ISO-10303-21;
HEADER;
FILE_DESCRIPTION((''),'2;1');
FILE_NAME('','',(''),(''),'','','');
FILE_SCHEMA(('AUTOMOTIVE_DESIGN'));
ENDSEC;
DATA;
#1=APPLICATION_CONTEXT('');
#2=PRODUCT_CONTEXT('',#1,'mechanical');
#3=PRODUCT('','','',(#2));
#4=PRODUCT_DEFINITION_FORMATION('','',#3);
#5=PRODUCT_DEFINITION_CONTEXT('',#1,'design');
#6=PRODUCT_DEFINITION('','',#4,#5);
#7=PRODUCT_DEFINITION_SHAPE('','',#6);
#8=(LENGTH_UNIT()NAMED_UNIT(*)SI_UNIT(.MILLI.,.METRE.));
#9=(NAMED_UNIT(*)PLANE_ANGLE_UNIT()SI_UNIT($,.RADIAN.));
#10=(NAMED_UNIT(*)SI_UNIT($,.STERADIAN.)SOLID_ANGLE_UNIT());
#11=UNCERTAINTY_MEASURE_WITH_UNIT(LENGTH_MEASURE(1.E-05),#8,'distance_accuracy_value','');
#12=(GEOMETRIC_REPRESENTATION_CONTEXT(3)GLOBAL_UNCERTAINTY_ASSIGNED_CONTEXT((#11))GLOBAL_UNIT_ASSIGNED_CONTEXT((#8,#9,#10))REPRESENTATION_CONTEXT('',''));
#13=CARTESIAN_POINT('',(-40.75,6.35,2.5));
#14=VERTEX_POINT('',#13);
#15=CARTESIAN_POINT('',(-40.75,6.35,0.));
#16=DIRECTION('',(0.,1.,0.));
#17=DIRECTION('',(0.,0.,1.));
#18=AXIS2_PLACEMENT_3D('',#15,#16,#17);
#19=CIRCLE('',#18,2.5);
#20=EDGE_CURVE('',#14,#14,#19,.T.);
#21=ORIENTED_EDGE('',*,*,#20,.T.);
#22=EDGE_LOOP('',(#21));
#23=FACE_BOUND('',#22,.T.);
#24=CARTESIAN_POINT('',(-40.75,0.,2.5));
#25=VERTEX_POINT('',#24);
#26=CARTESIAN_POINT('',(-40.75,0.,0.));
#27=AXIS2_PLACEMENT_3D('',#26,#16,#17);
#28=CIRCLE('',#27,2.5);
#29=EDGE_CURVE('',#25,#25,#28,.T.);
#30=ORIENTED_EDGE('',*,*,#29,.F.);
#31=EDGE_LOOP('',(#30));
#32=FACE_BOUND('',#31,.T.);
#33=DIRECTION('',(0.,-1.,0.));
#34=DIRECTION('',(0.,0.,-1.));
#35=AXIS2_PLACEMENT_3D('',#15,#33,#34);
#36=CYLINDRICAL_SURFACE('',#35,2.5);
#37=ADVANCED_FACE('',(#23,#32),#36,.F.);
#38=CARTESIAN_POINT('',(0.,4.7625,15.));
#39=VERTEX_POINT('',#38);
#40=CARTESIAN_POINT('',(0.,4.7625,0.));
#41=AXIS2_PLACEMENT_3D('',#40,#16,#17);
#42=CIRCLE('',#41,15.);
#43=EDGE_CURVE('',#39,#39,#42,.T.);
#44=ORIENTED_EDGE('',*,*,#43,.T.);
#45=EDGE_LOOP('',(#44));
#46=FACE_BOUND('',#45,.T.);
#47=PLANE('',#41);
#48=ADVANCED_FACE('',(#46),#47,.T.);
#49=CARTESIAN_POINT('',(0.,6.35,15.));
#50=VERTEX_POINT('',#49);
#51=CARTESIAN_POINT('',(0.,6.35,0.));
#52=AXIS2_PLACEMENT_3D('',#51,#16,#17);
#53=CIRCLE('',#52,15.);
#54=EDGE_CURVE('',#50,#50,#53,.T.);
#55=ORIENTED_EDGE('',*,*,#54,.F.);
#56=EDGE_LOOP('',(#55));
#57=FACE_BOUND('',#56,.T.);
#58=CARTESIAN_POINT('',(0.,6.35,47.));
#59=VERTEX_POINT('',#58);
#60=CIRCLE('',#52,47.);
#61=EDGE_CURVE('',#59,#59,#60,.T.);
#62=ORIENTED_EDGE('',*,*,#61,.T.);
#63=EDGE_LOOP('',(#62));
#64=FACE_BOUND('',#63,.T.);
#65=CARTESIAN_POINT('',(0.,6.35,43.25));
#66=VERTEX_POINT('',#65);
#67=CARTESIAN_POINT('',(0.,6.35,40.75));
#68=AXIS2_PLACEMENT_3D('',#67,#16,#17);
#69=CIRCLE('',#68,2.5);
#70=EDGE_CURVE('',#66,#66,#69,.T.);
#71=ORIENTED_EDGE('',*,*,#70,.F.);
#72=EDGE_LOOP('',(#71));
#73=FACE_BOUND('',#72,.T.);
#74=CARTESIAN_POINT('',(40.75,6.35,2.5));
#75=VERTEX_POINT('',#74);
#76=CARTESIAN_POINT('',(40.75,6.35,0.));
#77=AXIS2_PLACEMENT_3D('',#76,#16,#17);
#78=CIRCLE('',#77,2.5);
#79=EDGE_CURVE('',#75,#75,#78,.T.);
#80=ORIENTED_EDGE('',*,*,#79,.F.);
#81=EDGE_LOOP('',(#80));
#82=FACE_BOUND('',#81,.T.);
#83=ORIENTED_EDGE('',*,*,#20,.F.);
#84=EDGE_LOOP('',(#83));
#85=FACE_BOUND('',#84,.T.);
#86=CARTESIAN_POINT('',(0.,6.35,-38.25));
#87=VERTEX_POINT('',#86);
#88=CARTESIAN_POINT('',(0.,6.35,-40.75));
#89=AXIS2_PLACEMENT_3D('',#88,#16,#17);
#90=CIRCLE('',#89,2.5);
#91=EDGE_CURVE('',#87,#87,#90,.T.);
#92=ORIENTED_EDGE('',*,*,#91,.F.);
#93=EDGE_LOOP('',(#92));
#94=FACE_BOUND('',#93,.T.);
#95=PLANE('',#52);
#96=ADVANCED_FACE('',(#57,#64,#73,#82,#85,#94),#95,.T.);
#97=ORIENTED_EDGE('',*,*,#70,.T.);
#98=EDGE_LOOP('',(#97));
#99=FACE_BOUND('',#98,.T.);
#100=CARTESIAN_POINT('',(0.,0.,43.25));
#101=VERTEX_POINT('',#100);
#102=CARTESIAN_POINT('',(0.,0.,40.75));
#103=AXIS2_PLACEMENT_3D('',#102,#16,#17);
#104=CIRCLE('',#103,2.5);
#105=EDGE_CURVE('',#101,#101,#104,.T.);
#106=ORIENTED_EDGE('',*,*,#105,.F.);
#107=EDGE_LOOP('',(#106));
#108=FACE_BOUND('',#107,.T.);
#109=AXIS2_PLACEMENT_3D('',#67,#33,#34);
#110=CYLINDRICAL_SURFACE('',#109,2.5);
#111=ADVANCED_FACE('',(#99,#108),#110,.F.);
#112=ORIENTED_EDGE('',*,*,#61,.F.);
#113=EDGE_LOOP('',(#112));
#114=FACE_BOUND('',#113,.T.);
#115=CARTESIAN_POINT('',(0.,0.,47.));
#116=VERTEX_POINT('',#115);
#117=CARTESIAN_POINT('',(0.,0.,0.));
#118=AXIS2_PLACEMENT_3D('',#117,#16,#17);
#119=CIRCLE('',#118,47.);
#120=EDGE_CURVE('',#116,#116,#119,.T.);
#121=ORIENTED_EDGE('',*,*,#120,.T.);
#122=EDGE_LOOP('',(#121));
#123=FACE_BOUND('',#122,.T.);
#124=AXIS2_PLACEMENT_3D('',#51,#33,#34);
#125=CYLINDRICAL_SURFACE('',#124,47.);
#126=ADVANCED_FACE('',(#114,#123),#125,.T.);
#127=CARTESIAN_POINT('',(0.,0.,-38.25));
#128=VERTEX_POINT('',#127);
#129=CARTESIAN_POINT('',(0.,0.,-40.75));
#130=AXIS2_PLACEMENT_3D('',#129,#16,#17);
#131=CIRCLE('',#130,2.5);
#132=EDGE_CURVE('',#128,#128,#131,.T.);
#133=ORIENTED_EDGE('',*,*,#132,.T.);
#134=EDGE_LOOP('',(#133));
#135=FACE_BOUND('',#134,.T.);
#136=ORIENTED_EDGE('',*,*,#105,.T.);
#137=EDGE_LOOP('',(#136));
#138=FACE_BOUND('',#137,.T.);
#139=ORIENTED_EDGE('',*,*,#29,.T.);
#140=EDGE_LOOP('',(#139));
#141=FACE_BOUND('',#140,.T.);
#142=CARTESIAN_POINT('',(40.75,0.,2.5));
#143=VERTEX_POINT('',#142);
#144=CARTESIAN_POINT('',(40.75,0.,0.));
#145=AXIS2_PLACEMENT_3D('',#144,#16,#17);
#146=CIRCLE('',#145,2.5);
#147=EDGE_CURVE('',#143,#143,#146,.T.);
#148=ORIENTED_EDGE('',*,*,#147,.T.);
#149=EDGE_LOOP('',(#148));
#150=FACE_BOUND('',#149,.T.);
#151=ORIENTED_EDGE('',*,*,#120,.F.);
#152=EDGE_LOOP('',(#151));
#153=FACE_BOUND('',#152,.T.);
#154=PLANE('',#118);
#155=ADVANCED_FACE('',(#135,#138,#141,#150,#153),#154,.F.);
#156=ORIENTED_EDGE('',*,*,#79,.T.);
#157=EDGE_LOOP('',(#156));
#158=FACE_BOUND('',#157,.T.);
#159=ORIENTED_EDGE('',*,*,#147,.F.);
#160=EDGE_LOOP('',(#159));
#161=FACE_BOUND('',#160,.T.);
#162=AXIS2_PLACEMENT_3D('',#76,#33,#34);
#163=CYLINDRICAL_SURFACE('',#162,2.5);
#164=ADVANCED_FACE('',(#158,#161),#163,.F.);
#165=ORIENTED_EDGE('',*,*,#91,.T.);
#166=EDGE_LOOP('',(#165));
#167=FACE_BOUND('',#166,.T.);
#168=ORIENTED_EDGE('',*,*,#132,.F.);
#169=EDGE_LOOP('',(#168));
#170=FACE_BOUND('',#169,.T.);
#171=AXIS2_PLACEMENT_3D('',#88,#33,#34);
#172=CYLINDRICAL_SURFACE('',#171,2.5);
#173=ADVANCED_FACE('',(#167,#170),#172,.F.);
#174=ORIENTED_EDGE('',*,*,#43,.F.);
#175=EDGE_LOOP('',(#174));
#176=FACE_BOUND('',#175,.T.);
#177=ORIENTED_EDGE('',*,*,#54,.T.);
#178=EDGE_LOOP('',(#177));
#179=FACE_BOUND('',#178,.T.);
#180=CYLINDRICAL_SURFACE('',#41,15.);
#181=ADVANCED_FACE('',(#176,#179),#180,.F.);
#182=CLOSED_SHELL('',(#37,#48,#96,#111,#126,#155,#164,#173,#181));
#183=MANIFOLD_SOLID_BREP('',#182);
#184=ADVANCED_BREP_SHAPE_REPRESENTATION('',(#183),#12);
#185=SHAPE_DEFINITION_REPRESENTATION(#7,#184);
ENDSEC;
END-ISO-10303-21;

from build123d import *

# Parameters (mm, degrees)
SKETCH1_R           = 47
SKETCH1_R_2         = 2.5
BOSS_EXTRUDE1_DEPTH = 6.35
SKETCH2_R           = 15
CUT_EXTRUDE1_DEPTH  = 1.5875


with BuildPart() as part:
    # Sketch1 → Boss-Extrude1 (new body)
    with BuildSketch(Plane(origin=(0, 0, 0), x_dir=(1, 0, 0), z_dir=(0, 1, 0))):
        with Locations(Location((0, 0, 0), (0, 0, 270))):
            Circle(SKETCH1_R)
        with Locations(Location((0, 40.75, 0), (0, 0, 270))):
            Circle(SKETCH1_R_2, mode=Mode.SUBTRACT)
        with Locations(Location((40.75, 0, 0), (0, 0, 270))):
            Circle(SKETCH1_R_2, mode=Mode.SUBTRACT)
        with Locations(Location((0, -40.75, 0), (0, 0, 270))):
            Circle(SKETCH1_R_2, mode=Mode.SUBTRACT)
        with Locations(Location((-40.75, 0, 0), (0, 0, 270))):
            Circle(SKETCH1_R_2, mode=Mode.SUBTRACT)
    extrude(amount=BOSS_EXTRUDE1_DEPTH)

    # Sketch2 → Cut-Extrude1 (cut)
    with BuildSketch(Plane(origin=(0, 6.35, 0), x_dir=(1, 0, 0), z_dir=(0, 1, 0))):
        with Locations(Location((0, 0, 0), (0, 0, 270))):
            Circle(SKETCH2_R)
    extrude(amount=-CUT_EXTRUDE1_DEPTH, mode=Mode.SUBTRACT)


solid = part.part
